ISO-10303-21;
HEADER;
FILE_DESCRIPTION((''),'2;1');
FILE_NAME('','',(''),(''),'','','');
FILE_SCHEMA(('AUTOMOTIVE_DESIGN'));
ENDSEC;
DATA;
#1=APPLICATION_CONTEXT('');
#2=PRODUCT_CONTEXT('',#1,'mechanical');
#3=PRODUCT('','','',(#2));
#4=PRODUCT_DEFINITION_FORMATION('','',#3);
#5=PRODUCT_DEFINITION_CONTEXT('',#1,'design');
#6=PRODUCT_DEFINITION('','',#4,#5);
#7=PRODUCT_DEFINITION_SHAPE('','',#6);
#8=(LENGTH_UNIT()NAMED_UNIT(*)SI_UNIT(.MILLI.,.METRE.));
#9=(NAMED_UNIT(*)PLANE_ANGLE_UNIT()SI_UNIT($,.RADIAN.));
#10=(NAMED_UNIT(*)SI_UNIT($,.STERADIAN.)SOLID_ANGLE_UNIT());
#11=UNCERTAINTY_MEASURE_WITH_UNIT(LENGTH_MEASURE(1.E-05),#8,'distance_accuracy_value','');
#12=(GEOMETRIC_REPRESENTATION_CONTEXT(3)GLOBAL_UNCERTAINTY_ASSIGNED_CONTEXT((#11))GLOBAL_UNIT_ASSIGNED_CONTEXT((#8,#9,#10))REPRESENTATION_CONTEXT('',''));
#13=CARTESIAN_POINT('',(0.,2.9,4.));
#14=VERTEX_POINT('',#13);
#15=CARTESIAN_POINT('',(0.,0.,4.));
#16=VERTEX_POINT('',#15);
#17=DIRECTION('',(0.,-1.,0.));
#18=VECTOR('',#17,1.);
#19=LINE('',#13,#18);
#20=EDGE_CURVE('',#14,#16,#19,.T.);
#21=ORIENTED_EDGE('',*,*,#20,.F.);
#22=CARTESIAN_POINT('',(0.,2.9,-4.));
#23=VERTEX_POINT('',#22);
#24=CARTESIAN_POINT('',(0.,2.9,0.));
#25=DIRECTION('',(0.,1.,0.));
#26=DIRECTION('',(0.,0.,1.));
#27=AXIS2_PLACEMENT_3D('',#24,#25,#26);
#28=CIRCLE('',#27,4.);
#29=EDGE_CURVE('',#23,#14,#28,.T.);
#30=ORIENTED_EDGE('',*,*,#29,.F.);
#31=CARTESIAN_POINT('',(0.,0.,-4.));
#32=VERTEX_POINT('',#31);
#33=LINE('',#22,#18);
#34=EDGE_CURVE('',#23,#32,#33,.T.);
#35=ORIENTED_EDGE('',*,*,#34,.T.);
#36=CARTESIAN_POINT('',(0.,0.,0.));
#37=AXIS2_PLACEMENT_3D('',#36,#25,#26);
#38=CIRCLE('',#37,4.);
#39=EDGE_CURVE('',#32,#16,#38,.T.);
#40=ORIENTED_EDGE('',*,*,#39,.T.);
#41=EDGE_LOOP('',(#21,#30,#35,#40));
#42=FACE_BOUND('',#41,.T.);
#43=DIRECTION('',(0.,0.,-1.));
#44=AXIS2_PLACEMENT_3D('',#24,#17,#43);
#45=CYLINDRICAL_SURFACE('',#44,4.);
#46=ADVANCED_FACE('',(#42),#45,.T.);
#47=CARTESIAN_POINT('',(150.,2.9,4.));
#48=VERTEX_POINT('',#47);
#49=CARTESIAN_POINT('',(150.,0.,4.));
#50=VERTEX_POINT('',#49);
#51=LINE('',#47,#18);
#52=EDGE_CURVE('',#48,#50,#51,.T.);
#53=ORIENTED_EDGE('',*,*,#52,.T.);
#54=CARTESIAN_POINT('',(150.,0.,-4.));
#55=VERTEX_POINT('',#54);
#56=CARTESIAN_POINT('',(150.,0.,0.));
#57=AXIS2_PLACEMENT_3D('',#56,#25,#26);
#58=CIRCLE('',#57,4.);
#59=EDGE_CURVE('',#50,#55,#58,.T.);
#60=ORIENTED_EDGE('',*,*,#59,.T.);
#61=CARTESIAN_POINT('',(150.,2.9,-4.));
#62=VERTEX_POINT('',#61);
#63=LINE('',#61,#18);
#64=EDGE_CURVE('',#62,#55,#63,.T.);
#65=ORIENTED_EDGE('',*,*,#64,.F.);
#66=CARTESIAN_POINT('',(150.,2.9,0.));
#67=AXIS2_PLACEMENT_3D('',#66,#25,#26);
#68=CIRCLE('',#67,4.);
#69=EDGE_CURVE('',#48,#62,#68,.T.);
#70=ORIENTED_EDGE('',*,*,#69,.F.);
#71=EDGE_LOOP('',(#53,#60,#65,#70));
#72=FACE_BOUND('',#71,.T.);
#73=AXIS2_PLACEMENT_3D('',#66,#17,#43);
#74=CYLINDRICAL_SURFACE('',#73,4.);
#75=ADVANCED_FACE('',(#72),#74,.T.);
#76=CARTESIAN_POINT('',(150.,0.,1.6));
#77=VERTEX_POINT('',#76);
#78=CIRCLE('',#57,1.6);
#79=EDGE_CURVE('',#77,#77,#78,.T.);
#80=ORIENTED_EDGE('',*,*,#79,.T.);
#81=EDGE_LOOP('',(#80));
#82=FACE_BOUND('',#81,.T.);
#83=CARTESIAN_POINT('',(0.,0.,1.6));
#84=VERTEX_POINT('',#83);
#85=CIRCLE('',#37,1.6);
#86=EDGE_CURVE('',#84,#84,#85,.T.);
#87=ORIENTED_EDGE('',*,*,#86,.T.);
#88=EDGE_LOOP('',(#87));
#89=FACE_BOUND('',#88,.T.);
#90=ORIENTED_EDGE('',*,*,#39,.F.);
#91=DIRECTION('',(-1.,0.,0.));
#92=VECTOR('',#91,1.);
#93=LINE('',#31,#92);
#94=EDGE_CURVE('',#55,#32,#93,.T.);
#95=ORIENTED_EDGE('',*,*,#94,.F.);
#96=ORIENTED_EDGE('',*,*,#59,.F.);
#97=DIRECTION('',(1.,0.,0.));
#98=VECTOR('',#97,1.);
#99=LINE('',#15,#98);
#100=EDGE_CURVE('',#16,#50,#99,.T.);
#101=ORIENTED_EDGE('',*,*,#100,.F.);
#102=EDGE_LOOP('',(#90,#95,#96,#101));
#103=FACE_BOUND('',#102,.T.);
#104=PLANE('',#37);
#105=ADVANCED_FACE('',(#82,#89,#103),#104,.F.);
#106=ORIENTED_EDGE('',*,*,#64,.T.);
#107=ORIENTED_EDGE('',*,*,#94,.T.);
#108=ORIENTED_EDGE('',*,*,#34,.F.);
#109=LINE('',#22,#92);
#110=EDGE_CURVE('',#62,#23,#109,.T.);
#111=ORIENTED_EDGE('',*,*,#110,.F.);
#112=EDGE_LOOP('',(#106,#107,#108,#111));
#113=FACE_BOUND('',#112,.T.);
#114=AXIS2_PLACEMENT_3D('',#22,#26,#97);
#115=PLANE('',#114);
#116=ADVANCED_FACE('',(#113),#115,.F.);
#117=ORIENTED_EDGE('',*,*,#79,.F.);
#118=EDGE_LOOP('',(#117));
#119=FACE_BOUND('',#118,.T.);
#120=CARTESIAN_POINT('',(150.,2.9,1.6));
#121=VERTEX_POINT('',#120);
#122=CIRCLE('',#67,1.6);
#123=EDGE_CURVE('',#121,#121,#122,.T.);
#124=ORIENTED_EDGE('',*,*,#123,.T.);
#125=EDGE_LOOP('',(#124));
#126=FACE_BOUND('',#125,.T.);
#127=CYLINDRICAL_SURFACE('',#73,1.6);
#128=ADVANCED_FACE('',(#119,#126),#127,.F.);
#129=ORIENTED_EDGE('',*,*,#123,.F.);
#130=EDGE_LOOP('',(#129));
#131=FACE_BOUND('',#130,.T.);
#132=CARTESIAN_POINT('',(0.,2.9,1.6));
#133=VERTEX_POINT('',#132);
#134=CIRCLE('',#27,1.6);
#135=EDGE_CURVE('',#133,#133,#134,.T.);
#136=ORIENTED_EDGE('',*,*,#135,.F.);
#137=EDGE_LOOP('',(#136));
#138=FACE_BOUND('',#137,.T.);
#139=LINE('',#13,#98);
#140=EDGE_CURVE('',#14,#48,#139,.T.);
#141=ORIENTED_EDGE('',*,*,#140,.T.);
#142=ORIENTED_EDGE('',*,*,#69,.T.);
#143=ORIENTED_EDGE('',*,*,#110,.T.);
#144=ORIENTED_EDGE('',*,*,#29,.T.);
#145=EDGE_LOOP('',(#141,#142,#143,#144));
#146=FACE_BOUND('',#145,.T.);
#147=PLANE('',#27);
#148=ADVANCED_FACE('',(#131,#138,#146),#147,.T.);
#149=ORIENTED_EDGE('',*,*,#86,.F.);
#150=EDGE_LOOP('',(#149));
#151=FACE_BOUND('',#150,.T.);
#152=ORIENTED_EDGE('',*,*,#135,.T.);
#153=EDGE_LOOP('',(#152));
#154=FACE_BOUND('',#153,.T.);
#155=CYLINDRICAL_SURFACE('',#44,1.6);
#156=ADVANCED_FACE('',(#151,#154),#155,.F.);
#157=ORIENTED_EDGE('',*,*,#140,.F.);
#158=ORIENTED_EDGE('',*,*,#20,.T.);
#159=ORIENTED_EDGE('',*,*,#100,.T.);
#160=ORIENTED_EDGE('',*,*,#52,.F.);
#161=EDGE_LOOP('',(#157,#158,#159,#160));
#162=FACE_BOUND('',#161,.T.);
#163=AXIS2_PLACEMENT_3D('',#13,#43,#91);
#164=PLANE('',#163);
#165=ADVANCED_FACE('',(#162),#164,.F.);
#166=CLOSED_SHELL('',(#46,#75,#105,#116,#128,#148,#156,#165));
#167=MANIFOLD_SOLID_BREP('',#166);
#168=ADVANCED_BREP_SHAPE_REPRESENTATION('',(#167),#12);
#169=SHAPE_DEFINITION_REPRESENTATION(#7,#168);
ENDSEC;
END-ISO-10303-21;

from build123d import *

# Parameters (mm, degrees)
SKETCH1_R           = 1.6
BOSS_EXTRUDE1_DEPTH = 2.9


with BuildPart() as part:
    # Sketch1 → Boss-Extrude1 (new body)
    with BuildSketch(Plane(origin=(0, 0, 0), x_dir=(1, 0, 0), z_dir=(0, 1, 0))):
        with BuildLine():
            Line((0, 4), (150, 4))
            ThreePointArc((150, 4), (154, 0), (150, -4))
            Line((150, -4), (0, -4))
            ThreePointArc((0, -4), (-4, 0), (0, 4))
        make_face()
        with Locations(Location((0, 0, 0), (0, 0, 270))):
            Circle(SKETCH1_R, mode=Mode.SUBTRACT)
        with Locations(Location((150, 0, 0), (0, 0, 270))):
            Circle(SKETCH1_R, mode=Mode.SUBTRACT)
    extrude(amount=BOSS_EXTRUDE1_DEPTH)


solid = part.part
